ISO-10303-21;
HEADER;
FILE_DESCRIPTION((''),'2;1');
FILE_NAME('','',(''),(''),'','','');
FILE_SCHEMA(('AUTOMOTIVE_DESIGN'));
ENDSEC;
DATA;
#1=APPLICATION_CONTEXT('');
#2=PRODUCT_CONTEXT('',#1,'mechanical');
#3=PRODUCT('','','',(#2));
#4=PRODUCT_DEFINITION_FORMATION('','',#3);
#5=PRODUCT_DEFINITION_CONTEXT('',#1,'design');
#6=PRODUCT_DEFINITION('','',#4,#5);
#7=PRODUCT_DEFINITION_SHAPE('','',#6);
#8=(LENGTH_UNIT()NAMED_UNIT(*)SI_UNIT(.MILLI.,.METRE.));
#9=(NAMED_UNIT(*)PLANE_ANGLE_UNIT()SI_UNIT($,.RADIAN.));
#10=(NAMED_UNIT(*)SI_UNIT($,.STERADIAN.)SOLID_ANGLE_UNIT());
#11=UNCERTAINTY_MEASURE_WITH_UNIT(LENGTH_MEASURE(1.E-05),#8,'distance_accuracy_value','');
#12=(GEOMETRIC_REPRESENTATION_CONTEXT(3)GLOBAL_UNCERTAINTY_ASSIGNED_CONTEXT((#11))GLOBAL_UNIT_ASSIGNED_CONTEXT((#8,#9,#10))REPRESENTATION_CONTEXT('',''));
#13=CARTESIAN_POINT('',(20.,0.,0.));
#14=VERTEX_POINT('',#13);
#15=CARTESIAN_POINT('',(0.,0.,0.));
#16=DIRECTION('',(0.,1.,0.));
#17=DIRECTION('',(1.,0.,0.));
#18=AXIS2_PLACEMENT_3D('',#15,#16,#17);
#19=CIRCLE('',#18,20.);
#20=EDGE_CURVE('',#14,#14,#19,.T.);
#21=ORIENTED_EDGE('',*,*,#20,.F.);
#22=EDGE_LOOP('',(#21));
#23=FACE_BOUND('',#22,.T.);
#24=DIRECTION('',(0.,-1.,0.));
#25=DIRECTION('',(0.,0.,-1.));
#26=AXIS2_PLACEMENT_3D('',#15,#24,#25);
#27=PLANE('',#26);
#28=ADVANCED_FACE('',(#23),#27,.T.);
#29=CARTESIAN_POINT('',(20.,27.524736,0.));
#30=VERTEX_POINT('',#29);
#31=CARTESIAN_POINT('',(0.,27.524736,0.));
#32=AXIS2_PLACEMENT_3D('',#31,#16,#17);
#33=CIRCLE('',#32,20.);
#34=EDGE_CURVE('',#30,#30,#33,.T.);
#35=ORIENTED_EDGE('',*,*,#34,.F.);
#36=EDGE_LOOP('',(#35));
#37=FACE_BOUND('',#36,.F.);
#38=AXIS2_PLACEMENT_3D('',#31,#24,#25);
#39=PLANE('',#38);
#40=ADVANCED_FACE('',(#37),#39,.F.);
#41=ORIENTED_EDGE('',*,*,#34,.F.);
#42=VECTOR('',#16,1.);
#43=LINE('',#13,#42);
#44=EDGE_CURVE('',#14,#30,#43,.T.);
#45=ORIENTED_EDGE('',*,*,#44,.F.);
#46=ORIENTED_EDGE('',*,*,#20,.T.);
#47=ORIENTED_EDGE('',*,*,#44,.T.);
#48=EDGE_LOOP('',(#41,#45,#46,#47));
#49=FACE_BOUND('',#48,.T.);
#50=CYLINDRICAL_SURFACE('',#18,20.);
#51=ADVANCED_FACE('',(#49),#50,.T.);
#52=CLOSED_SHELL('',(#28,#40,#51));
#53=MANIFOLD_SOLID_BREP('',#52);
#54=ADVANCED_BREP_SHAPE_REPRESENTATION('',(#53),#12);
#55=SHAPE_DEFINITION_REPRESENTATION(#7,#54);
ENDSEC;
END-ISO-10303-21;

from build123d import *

# Parameters (mm, degrees)
F0_R = 20


with BuildPart() as f2:
    # F2: sweep along a path in F1
    with BuildLine(Plane.YZ) as f2_path:
        Line((0, 0), (27.524736, 0))
    # F0 (on Front) → F2 (sweep)
    with BuildSketch(Plane.XZ):
        Circle(F0_R)
    sweep(path=f2_path.line)


solid = f2.part
